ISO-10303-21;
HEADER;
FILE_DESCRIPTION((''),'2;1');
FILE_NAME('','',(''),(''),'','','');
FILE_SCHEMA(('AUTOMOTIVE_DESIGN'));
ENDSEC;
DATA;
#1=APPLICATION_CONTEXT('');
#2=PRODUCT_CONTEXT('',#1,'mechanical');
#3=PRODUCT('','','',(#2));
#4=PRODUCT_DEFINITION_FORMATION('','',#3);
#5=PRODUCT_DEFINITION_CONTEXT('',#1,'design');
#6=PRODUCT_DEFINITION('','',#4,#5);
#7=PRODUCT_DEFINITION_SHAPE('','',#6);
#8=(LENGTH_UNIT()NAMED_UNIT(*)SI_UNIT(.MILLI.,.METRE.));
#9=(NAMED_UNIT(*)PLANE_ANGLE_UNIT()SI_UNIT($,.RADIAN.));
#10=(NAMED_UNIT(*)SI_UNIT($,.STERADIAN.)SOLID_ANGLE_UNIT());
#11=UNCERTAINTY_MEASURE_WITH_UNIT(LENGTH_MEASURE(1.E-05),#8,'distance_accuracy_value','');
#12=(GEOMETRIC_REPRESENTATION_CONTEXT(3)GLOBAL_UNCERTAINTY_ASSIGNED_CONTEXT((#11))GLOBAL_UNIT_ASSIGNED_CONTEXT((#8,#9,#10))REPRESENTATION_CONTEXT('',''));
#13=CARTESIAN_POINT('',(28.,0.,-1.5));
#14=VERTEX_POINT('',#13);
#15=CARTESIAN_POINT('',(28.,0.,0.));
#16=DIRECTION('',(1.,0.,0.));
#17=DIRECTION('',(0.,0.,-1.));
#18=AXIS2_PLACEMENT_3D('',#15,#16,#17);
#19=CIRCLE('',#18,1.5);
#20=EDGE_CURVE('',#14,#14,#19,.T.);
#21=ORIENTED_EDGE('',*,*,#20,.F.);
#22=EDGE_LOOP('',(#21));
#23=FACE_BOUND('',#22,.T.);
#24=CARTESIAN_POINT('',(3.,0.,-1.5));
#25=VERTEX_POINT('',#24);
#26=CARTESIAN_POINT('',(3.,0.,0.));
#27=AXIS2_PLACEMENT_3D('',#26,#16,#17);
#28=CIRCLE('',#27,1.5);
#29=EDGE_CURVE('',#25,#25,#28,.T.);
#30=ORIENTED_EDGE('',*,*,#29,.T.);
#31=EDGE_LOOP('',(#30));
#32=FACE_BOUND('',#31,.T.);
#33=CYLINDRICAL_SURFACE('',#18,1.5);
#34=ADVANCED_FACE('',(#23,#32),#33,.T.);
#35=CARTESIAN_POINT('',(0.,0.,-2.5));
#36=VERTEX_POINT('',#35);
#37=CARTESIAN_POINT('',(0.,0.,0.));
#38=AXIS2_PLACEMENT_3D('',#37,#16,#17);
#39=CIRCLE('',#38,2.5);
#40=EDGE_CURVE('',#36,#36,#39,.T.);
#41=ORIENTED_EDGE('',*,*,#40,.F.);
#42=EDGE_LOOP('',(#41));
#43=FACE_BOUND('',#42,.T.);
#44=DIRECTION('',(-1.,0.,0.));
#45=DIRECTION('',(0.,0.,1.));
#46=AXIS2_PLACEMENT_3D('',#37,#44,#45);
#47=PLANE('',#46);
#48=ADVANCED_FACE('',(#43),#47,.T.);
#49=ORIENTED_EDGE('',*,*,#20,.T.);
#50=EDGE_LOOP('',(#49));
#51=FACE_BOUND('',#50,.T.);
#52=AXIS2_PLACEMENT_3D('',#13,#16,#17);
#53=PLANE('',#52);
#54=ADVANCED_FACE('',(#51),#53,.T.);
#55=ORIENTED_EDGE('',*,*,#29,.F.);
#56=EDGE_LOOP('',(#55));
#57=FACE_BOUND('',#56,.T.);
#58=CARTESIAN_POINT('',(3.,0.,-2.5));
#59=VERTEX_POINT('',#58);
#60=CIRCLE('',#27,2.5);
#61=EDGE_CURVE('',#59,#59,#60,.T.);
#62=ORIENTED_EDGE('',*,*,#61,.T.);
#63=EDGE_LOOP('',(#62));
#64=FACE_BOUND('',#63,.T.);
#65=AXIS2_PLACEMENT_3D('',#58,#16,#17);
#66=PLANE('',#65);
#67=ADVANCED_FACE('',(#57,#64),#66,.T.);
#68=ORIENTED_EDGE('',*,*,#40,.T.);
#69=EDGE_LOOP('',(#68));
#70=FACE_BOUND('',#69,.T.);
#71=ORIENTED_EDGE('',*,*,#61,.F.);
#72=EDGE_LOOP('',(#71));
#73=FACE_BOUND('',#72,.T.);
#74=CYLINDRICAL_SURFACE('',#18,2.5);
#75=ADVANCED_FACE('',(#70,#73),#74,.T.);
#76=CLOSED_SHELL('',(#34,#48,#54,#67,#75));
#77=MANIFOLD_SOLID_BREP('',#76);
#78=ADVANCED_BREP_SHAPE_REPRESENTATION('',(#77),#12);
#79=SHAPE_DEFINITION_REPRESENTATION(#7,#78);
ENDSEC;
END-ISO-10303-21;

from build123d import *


with BuildPart() as part:
    # Sketch1 → Revolve1 (revolve)
    with BuildSketch(Plane(origin=(0, 0, 0), x_dir=(1, 0, 0), z_dir=(0, 1, 0))):
        Polygon((0, 0), (0, 2.5), (3, 2.5), (3, 1.5), (28, 1.5), (28, 0), align=None)
    revolve(axis=Axis((28, 0, 0), (-1, 0, 0)))


solid = part.part
